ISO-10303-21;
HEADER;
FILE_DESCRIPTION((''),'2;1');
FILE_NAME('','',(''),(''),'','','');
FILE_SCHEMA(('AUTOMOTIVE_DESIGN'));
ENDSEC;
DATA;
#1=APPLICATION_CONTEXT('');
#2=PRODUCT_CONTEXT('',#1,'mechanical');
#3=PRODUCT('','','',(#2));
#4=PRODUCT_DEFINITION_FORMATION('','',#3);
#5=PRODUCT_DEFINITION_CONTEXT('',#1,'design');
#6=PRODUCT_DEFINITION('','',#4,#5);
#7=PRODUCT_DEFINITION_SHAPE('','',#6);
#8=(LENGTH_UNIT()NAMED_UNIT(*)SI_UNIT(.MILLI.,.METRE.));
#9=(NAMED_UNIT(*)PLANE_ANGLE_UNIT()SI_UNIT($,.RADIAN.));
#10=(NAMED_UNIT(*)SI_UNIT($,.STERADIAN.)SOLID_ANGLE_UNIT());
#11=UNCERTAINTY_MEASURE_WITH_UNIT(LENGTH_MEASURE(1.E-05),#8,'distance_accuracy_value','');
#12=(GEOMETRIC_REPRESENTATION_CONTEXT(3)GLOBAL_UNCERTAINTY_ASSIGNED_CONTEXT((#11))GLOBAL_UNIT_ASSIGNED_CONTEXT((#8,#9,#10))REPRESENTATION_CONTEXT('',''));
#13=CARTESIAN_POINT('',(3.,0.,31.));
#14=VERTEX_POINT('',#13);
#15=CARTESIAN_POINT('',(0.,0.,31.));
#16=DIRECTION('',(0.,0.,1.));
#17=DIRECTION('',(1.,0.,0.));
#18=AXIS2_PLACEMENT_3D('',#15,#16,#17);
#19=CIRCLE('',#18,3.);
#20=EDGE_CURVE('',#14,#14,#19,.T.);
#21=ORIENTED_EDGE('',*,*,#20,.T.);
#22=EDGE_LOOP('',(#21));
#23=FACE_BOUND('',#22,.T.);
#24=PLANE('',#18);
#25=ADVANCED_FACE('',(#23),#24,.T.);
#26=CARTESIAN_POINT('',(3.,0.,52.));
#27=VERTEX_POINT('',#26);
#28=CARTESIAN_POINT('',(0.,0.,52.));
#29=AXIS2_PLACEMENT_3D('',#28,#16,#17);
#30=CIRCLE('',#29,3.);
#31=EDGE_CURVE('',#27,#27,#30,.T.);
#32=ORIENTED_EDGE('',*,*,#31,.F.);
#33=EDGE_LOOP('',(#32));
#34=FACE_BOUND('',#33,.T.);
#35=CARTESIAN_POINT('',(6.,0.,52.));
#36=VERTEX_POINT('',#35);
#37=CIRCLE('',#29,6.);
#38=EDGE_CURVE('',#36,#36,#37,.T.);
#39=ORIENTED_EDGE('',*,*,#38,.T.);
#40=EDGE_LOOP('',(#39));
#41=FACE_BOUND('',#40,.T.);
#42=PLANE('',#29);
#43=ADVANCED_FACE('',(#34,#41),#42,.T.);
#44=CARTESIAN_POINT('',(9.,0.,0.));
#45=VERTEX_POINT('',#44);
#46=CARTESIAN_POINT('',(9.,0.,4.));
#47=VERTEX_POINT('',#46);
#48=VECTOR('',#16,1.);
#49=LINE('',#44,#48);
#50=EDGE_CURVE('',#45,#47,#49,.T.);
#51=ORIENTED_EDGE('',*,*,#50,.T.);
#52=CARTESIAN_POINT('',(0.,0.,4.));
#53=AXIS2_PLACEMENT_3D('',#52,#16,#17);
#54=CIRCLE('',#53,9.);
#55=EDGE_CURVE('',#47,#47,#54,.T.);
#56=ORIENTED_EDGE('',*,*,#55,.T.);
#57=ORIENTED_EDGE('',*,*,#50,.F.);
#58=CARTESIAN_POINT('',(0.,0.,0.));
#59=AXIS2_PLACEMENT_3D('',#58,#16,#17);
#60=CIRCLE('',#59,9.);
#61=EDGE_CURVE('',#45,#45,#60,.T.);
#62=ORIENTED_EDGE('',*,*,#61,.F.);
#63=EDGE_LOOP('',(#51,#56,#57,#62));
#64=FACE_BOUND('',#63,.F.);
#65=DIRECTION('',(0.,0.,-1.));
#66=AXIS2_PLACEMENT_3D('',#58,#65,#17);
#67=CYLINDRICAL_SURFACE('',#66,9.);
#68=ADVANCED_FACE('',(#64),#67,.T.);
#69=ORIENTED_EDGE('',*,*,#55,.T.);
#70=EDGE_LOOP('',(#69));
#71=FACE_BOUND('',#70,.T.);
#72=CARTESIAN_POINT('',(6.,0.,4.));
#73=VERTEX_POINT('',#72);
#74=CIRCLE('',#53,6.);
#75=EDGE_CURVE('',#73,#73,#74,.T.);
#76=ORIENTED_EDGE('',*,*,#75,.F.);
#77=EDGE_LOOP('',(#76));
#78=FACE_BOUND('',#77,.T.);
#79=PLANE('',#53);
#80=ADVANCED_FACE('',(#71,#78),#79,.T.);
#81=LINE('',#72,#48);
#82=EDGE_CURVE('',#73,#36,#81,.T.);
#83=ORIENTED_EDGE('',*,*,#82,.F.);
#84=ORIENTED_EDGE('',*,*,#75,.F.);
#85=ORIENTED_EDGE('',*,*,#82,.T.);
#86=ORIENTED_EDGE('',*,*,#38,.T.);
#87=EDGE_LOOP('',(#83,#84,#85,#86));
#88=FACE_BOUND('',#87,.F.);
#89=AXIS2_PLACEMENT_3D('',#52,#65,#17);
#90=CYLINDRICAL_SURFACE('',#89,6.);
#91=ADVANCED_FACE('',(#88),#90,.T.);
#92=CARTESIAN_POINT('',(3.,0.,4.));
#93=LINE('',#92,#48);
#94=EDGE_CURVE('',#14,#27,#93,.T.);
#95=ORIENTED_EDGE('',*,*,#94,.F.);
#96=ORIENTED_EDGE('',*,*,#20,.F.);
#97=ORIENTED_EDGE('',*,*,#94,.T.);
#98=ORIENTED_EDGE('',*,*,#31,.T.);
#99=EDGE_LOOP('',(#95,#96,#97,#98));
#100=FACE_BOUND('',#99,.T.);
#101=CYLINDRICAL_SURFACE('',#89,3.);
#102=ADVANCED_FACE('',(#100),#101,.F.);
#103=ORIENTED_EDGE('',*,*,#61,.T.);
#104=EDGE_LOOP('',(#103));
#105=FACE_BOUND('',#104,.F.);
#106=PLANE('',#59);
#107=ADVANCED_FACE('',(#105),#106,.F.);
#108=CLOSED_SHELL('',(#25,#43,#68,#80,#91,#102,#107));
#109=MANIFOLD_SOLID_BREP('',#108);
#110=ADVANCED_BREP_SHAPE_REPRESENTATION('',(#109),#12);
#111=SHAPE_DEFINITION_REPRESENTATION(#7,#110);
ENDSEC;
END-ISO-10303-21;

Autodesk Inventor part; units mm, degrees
ref_plane "YZ Plane" through (0, 0, 0) normal (1, 0, 0) x (0, 1, 0)
ref_plane "XZ Plane" through (0, 0, 0) normal (0, 1, 0) x (-1, 0, 0)
ref_plane "XY Plane" through (0, 0, 0) normal (0, 0, 1) x (1, 0, 0)
sketch "Sketch1" plane through (0, 0, 0) normal (0, 0, 1) x (1, 0, 0)
  circle A0 centre (0, 0) radius 9
  dimension "d0" = 18
extrude "Extrusion1" add sketch "Sketch1" along normal blind 4
sketch "Sketch2" plane through (0, 0, 4) normal (0, 0, 1) x (1, 0, 0)
  circle A0 centre (0, 0) radius 6
  circle A1 centre (0, 0) radius 3
  dimension "d3" = 12
  dimension "d4" = 6
extrude "Extrusion2" add sketch "Sketch2" along normal blind 48
sketch "Sketch4" plane through (0, 0, 4) normal (0, 0, 1) x (1, 0, 0)
  circle A0 centre (0, 0) radius 3
extrude "Extrusion3" add sketch "Sketch4" along normal blind 27
properties part number "Adaptateur_axes"
